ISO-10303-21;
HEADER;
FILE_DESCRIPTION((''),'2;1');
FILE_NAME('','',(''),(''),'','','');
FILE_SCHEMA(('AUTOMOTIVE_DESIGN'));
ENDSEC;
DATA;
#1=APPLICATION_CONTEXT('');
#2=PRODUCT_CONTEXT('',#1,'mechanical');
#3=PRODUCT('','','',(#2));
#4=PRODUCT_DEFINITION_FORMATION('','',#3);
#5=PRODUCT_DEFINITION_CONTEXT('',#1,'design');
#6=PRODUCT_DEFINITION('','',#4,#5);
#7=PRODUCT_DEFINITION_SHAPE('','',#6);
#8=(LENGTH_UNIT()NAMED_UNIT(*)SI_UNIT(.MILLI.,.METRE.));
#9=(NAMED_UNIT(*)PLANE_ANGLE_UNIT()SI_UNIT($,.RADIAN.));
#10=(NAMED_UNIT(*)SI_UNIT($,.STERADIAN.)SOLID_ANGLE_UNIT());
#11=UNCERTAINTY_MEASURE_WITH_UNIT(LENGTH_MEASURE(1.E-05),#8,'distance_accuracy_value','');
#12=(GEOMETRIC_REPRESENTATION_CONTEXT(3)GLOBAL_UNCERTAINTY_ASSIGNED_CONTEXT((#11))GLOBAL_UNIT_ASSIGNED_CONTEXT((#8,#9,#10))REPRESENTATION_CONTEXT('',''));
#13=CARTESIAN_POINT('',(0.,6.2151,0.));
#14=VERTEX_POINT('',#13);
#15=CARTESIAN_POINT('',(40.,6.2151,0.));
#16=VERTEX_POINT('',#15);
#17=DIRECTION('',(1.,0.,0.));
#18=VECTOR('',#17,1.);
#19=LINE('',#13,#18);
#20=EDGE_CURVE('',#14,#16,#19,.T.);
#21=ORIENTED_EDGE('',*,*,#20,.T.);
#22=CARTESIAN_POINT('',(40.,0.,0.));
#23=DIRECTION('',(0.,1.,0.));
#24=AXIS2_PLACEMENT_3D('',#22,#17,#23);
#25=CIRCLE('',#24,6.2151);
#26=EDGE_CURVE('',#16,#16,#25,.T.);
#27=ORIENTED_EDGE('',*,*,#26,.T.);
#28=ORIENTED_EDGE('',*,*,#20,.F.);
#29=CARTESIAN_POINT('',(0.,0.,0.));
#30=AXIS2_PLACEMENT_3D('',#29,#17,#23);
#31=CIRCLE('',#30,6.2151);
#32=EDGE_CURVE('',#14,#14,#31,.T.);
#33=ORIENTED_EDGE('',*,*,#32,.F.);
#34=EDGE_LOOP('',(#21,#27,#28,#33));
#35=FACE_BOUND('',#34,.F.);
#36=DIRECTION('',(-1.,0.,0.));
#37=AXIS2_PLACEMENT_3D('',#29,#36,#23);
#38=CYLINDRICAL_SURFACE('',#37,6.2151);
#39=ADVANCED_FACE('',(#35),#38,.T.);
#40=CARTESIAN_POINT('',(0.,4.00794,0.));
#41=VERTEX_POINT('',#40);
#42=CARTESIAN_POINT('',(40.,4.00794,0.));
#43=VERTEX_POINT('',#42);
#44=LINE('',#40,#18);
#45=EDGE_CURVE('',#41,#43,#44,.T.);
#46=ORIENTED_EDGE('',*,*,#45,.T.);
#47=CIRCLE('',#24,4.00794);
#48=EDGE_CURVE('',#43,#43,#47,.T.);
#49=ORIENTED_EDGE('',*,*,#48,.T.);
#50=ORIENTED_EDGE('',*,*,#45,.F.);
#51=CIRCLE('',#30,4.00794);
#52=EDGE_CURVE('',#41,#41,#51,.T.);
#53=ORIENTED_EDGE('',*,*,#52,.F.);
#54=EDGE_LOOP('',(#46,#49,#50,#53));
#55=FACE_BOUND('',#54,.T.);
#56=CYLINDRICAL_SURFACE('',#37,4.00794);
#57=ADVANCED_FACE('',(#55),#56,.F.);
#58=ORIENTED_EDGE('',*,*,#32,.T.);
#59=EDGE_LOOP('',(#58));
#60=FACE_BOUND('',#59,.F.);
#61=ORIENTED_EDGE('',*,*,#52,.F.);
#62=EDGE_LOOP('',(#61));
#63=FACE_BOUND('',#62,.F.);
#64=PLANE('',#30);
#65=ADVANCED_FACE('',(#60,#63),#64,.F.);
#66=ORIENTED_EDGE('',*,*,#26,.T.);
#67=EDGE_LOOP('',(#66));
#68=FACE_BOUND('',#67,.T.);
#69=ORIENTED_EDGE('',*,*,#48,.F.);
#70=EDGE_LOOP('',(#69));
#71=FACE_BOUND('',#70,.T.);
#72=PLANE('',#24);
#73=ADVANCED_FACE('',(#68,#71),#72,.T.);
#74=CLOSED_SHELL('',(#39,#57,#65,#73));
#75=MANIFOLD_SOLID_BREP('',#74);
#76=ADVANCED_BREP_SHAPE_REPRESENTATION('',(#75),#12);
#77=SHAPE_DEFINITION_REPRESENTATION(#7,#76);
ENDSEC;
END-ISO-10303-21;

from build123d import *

# Parameters (mm, degrees)
F1_R     = 6.2151
F1_R_2   = 4.00794
F2_DEPTH = 40


with BuildPart() as f2:
    # F1 (on face) → F2 (new body)
    with BuildSketch(Plane.YZ):
        Circle(F1_R)
        Circle(F1_R_2, mode=Mode.SUBTRACT)
    extrude(amount=F2_DEPTH)


solid = f2.part
